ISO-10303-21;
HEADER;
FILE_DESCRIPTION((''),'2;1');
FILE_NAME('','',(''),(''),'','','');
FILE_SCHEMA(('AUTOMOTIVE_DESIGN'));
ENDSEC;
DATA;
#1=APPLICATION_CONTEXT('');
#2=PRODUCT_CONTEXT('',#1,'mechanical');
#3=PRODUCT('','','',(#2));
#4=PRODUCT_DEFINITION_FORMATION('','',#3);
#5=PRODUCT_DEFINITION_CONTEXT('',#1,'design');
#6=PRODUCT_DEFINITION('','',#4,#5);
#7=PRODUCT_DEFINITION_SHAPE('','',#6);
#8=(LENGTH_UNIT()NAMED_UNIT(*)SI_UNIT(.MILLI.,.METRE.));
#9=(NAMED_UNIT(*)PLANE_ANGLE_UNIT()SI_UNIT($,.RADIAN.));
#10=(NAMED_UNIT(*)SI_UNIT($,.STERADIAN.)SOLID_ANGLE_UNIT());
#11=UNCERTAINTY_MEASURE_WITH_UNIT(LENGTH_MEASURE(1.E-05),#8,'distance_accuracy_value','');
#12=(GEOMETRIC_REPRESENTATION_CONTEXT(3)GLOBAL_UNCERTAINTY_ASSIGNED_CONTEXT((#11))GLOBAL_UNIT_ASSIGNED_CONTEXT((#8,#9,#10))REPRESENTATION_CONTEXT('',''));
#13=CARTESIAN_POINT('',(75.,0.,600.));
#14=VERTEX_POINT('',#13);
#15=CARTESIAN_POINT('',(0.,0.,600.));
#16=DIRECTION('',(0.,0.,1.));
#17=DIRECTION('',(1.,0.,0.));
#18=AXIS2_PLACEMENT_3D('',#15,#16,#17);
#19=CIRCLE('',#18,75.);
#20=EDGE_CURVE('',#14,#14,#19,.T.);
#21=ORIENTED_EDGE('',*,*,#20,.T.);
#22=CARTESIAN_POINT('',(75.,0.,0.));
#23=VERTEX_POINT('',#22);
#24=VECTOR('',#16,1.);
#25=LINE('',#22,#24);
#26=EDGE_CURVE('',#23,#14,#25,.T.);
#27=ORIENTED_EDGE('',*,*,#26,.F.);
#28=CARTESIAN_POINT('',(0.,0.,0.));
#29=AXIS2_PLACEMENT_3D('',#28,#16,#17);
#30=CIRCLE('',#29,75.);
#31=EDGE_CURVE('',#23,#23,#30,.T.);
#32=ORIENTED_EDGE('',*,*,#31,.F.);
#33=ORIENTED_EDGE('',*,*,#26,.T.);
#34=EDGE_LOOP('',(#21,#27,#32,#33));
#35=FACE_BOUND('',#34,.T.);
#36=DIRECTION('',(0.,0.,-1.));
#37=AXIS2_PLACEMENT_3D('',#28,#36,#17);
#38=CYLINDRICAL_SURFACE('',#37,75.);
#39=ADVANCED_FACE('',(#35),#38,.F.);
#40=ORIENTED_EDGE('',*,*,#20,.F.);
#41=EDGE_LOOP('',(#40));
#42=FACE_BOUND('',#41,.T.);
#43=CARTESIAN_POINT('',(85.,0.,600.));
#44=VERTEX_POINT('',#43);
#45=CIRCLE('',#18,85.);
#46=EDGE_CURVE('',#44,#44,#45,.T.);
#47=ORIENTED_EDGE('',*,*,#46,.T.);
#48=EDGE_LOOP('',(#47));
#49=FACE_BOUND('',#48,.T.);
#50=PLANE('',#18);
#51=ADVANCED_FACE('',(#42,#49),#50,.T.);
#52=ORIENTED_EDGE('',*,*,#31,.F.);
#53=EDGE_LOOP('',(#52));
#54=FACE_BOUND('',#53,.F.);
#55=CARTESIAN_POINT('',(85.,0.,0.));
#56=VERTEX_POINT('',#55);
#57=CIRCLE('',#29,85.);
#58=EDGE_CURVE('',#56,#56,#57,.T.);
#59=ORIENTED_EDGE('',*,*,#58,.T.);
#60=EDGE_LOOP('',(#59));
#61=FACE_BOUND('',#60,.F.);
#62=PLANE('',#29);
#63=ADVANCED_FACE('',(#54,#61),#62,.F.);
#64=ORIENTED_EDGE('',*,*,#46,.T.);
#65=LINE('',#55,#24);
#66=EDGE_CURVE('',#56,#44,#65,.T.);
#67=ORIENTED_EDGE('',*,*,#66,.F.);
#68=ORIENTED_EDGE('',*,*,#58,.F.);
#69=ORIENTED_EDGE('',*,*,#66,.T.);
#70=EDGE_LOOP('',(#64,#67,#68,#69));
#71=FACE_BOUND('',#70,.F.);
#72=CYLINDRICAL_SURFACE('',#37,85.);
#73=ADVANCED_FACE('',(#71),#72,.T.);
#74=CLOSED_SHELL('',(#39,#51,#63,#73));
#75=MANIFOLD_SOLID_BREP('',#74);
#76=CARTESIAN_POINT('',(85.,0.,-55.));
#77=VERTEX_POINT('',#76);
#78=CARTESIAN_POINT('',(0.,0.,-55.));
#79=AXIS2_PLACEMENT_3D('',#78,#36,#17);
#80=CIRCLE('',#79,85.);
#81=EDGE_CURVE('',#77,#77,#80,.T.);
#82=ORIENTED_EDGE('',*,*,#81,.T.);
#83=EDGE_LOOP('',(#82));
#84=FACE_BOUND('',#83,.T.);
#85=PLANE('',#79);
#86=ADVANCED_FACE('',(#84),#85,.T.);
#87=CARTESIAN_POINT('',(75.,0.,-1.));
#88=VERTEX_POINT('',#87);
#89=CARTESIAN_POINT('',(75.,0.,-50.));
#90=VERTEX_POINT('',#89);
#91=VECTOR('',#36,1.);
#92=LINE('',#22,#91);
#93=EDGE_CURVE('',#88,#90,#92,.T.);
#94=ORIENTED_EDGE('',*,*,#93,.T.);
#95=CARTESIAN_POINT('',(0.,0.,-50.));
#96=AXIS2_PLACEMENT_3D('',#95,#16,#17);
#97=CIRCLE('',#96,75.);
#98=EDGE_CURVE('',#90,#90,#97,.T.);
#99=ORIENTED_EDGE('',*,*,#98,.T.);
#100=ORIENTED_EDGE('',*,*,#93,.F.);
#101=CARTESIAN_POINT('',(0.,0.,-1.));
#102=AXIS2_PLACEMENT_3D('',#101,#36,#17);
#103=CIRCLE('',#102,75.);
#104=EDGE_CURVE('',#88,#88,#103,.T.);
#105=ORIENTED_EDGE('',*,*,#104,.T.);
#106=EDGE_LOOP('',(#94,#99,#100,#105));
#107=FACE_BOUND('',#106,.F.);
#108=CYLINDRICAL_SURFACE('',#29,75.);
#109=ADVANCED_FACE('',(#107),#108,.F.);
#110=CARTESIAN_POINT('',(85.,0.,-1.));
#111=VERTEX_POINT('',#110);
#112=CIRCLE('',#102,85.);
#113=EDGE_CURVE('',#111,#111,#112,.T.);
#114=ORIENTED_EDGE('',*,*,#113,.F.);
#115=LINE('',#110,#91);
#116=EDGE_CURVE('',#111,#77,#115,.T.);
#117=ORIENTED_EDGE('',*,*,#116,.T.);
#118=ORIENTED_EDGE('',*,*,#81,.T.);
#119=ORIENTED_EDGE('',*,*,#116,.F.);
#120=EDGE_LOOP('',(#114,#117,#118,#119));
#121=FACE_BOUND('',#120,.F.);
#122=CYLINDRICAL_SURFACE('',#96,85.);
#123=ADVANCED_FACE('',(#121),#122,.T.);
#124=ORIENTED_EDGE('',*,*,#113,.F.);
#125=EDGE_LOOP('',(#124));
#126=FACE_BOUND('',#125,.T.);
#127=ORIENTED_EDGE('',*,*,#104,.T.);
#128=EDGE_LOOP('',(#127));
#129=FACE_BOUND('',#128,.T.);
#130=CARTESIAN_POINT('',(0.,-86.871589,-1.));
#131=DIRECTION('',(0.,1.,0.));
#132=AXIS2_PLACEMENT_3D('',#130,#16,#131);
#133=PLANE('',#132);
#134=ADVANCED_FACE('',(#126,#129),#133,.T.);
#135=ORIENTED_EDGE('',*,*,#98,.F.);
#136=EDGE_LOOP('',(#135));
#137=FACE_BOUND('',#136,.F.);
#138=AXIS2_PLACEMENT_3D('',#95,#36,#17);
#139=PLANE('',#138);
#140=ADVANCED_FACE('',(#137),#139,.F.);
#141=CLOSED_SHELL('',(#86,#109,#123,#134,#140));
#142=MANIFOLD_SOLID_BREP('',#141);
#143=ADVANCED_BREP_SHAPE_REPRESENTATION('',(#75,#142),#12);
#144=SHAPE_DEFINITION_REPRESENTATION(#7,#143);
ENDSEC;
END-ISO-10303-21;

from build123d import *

# Parameters (mm, degrees)
F0_R          = 85
F0_R_2        = 75
F1_DEPTH      = 600
F2_DEPTH      = 50
F3_W          = 175
F3_H          = 1
F4_DEPTH      = 85.9
F4_DEPTH_BACK = 91.3
F5_R          = 85
F6_DEPTH      = 5


with BuildPart() as f1:
    # F0 (on Top) → F1 (new body)
    with BuildSketch(Plane.XY):
        Circle(F0_R)
        Circle(F0_R_2, mode=Mode.SUBTRACT)
    extrude(amount=F1_DEPTH)


with BuildPart() as f2:
    # F2 (new): a face of the model
    f2_faces = [f1.part.faces().sort_by_distance(p)[0] for p in [
        (-82.595836944, 0, 0),
    ]]
    extrude(f2_faces, amount=F2_DEPTH)

    # F3 (on Right) → F4 (cut, two sides)
    with BuildSketch(Plane.YZ) as f4_sk:
        with Locations((0.6284113847, -0.5)):
            Rectangle(F3_W, F3_H)
    extrude(amount=-F4_DEPTH, mode=Mode.SUBTRACT)
    extrude(f4_sk.sketch, amount=F4_DEPTH_BACK, mode=Mode.SUBTRACT)

    # F5 (on face) → F6 (join)
    with BuildSketch(Plane(origin=(0, 0, -50), x_dir=(1, 0, 0), z_dir=(0, 0, -1))):
        Circle(F5_R)
    extrude(amount=F6_DEPTH)


solid = Compound([f1.part, f2.part])
